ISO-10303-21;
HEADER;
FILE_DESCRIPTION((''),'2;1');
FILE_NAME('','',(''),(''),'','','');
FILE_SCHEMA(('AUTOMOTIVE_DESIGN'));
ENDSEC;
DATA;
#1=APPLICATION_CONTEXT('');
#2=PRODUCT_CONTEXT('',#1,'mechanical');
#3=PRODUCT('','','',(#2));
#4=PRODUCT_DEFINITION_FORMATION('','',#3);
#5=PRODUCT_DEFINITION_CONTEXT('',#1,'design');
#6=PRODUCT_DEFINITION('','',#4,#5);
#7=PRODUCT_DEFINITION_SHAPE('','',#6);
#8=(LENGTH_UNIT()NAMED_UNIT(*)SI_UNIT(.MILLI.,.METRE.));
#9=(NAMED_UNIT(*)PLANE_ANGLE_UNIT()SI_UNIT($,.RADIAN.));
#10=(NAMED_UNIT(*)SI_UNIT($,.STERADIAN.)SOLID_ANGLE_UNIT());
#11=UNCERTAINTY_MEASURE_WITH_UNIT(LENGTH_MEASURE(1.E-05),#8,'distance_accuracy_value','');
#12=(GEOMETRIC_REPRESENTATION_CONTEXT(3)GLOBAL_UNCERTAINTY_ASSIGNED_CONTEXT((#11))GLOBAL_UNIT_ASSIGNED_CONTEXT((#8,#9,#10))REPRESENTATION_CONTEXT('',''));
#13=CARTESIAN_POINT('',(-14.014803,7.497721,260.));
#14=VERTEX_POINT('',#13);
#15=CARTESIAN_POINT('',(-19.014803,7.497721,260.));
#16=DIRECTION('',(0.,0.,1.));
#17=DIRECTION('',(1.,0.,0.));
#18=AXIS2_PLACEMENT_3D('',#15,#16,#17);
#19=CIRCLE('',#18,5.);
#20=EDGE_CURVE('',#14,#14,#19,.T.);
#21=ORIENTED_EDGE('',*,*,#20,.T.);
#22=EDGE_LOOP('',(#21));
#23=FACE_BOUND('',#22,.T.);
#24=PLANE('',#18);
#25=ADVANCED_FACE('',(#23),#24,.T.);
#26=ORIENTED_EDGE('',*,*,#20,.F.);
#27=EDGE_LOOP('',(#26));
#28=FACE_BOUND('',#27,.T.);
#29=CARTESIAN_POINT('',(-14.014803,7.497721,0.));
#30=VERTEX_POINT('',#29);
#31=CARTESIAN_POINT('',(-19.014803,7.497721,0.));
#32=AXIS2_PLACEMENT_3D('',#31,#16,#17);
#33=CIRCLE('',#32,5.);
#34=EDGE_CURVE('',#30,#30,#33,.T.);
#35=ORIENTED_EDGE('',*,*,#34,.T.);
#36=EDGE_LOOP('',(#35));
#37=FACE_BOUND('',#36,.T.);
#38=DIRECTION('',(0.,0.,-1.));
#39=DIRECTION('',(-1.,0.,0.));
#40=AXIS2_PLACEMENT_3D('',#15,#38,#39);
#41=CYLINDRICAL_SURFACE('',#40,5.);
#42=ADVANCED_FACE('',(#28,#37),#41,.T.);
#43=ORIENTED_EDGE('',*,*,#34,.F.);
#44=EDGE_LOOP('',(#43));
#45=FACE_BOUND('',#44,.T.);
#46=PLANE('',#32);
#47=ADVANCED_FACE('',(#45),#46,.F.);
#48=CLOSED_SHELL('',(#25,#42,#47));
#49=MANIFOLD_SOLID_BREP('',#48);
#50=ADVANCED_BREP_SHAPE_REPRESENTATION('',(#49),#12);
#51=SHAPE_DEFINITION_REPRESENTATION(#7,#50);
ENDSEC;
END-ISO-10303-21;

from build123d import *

# Parameters (mm, degrees)
ESQUISSE1_R        = 5
BOSS_EXTRU_2_DEPTH = 260


with BuildPart() as part:
    # Esquisse1 → Boss.-Extru.2 (new body)
    with BuildSketch(Plane.XY):
        with Locations((-19.014803002, 7.497720806)):
            Circle(ESQUISSE1_R)
    extrude(amount=BOSS_EXTRU_2_DEPTH)


solid = part.part
